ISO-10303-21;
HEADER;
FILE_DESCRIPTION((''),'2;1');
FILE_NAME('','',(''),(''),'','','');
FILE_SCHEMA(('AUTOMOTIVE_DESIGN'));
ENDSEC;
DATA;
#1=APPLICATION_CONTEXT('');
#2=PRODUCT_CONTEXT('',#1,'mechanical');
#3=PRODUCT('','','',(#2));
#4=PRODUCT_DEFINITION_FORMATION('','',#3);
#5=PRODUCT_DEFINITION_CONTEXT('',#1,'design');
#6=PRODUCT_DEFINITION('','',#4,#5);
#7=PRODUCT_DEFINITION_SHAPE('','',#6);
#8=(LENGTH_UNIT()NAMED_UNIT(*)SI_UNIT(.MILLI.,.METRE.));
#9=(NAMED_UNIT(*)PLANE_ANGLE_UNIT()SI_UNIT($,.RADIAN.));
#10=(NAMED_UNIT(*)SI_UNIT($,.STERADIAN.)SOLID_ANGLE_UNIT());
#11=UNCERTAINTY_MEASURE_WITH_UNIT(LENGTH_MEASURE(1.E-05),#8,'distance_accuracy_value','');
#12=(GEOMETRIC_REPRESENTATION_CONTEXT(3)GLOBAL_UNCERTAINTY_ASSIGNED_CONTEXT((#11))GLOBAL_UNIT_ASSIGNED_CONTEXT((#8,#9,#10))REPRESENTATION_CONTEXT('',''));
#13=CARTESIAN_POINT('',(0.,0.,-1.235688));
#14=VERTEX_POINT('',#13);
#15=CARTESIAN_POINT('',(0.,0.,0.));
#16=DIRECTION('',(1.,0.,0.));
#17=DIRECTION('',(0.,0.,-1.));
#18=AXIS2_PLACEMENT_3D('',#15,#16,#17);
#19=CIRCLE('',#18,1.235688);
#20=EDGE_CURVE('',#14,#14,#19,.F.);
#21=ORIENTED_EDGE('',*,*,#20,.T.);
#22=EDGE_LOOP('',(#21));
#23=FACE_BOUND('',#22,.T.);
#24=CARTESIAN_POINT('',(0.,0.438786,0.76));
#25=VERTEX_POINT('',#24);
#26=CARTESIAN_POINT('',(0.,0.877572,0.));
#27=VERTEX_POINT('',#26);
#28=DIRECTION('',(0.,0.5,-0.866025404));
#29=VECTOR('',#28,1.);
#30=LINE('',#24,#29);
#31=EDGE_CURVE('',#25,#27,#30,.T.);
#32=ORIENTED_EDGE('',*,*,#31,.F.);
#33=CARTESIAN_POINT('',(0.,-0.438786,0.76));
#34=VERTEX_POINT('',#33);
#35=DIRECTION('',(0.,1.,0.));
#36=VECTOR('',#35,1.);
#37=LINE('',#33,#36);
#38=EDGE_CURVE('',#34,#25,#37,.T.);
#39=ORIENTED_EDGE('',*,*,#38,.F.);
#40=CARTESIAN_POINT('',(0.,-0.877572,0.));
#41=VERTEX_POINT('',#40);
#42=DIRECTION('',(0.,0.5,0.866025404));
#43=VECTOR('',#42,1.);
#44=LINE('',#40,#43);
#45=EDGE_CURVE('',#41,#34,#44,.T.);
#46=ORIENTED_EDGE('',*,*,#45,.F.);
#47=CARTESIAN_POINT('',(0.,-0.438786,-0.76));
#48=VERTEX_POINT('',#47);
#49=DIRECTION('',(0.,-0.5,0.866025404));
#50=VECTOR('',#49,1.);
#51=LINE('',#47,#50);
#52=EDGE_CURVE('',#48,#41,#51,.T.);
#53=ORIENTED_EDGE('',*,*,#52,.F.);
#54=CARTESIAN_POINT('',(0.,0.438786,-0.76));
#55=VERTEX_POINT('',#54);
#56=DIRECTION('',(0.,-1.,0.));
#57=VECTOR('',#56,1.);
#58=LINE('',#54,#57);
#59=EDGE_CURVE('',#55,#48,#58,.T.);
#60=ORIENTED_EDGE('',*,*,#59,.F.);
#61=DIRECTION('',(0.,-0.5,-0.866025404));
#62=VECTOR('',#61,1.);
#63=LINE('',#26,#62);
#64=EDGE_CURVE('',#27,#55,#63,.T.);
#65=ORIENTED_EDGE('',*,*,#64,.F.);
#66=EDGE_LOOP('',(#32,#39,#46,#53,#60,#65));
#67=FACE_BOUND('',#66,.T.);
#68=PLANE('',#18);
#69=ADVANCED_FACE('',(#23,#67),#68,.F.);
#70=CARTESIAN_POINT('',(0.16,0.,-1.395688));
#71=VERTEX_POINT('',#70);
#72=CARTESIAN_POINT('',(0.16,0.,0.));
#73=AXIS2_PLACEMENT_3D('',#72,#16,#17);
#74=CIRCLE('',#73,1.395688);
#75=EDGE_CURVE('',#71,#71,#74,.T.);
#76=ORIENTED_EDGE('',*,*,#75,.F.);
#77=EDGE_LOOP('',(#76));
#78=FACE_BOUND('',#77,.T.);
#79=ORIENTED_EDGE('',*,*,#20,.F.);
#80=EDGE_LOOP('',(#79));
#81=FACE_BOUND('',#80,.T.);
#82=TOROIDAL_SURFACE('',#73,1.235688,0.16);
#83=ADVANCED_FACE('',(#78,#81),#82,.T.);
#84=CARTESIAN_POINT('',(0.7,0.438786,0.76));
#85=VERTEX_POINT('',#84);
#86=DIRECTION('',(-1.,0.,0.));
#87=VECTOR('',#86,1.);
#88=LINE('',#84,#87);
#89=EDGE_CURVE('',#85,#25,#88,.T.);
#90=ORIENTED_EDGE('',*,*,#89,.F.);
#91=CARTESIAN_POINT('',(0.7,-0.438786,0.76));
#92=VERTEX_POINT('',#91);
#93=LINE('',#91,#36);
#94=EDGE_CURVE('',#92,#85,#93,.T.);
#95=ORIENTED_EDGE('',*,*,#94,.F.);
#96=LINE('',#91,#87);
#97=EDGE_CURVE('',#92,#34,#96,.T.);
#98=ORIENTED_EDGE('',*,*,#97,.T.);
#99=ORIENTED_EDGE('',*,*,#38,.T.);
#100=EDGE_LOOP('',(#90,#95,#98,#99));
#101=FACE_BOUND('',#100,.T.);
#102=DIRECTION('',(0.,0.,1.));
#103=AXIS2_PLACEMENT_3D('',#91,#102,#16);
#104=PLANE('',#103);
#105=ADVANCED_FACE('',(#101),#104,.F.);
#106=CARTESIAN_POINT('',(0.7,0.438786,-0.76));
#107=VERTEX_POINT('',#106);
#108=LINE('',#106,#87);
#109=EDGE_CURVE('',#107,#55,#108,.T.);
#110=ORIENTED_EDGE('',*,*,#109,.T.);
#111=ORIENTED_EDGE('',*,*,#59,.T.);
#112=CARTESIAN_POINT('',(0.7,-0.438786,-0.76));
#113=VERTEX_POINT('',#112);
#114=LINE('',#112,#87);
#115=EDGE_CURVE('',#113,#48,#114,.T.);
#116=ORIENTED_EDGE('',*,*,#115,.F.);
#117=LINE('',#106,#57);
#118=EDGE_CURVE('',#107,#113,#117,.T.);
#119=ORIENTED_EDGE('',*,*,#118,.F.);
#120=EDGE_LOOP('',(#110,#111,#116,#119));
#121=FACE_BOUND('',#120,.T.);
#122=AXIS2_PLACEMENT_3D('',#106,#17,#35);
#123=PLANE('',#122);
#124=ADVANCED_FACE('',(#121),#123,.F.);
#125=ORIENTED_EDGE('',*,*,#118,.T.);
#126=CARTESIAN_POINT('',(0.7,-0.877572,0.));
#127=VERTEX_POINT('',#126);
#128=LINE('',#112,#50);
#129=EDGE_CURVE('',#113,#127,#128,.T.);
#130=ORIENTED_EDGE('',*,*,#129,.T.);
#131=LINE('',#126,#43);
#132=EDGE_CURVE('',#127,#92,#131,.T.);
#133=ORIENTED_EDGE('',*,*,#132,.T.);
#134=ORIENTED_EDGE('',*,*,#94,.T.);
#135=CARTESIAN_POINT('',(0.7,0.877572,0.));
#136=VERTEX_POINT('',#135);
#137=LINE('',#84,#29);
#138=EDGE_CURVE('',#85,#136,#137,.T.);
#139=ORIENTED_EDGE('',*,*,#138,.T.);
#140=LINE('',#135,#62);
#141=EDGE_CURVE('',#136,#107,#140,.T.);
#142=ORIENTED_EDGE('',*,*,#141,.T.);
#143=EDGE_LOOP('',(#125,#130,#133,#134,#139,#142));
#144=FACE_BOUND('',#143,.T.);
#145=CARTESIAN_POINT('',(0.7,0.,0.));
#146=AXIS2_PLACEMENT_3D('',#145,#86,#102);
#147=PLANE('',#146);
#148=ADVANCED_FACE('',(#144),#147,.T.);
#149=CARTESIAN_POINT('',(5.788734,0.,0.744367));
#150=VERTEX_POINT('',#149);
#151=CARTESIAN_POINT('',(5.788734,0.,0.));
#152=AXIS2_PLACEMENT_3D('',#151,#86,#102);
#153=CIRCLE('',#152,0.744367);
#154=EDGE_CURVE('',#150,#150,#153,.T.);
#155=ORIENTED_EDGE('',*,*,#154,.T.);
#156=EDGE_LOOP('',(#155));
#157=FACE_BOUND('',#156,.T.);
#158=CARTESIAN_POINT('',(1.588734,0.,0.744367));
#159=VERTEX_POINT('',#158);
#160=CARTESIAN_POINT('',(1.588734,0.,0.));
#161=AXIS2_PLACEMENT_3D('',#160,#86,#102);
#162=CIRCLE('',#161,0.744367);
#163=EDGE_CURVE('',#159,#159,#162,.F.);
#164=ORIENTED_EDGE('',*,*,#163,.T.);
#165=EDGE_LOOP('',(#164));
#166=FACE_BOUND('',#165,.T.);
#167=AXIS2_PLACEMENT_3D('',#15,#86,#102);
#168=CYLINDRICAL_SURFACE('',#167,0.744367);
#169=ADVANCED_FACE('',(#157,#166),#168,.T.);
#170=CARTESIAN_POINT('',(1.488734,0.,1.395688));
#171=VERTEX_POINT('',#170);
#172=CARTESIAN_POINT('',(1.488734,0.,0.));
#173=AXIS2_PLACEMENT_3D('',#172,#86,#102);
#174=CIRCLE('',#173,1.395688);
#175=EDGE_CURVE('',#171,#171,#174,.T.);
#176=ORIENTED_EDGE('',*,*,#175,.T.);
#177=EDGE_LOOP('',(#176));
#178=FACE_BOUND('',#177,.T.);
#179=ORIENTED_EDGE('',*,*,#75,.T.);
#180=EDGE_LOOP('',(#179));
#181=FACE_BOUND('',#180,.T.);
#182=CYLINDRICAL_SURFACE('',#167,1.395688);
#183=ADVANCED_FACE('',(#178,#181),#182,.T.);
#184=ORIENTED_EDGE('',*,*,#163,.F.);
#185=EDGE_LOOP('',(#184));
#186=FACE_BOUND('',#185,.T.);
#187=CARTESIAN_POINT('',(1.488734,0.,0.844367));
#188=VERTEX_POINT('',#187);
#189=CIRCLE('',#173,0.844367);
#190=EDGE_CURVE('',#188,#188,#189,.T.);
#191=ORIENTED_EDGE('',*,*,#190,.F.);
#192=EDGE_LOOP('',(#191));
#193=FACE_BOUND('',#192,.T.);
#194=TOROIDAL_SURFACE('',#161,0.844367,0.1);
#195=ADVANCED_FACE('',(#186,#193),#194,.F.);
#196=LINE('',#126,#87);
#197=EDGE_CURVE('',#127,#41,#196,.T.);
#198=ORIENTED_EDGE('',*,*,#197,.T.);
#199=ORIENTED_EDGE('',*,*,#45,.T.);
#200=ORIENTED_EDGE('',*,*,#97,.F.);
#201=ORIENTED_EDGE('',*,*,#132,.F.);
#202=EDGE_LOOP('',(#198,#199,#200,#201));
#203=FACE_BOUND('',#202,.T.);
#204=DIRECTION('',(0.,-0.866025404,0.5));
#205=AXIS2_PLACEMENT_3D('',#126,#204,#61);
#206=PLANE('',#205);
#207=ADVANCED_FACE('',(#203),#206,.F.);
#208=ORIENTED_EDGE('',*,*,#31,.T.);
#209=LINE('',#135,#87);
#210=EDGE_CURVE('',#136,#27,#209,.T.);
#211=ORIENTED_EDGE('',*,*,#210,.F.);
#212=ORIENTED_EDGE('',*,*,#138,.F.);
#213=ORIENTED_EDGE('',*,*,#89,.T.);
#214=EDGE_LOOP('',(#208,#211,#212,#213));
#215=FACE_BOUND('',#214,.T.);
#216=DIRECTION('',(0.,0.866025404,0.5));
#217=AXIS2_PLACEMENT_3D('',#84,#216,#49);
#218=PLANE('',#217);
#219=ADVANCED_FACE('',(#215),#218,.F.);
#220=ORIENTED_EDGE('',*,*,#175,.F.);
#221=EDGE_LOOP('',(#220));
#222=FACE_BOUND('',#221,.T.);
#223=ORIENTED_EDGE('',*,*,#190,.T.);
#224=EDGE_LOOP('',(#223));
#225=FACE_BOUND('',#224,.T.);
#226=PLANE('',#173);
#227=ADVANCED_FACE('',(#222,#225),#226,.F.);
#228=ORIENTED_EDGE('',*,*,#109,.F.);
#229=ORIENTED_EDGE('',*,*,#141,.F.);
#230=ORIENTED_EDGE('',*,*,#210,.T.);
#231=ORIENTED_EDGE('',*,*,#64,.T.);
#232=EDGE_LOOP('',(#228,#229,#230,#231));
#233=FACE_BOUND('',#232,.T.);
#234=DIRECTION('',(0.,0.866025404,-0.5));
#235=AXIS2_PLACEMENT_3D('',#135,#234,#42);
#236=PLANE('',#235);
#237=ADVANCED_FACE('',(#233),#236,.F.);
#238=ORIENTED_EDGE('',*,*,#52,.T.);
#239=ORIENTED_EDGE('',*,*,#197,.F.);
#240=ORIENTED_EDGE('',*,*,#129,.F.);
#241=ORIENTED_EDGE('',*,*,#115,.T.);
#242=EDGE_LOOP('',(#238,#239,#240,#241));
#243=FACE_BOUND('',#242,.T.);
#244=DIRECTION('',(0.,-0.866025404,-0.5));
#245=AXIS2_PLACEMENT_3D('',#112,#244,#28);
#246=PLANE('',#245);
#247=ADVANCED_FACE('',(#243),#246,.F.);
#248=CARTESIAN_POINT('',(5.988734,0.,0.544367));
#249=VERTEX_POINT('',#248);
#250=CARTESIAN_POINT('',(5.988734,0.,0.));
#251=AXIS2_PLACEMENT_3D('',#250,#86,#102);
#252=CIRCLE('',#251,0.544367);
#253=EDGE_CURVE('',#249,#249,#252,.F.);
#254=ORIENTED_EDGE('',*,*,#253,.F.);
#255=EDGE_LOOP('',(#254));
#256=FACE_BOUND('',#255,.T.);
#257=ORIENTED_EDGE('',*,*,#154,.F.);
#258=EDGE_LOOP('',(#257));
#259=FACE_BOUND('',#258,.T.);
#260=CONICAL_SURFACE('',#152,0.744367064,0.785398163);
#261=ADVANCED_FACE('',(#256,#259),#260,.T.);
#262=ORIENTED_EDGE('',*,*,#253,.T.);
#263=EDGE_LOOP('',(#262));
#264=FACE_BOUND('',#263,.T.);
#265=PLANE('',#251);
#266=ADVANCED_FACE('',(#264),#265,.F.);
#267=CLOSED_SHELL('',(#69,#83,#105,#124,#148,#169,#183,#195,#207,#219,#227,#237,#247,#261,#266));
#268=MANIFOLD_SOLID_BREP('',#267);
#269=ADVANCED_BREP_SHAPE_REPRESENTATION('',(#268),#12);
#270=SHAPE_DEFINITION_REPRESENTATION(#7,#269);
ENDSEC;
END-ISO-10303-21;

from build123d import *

# Parameters (mm, degrees)
FILLET1_R      = 0.1
FILLET2_R      = 0.16
CHAMFER1_SIZE  = 0.2
EXTRUDE1_DEPTH = 0.7


with BuildPart() as part:
    # Sketch1 → Revolve1 (revolve)
    with BuildSketch(Plane.XY, mode=Mode.PRIVATE) as revolve1_sk:
        Polygon((0, 1.395688245), (0, 0), (5.988734128, 0), (5.988734128, 0.744367064), (1.488734128, 0.744367064), (1.488734128, 1.395688245), align=None)
    revolve(revolve1_sk.sketch.rotate(Axis((0, 0, 0), (1, 0, 0)), 90), axis=Axis((0, 0, 0), (1, 0, 0)))

    # Fillet1
    fillet1_edges = [part.edges().sort_by_distance(p)[0] for p in [
        (1.488734128, 0, -0.744367064),
    ]]
    fillet(fillet1_edges, radius=FILLET1_R)

    # Fillet2
    fillet2_edges = [part.edges().sort_by_distance(p)[0] for p in [
        (0, 0, -1.395688245),
    ]]
    fillet(fillet2_edges, radius=FILLET2_R)

    # Chamfer1
    chamfer1_edges = [part.edges().sort_by_distance(p)[0] for p in [
        (5.988734128, 0, -0.744367064),
    ]]
    chamfer(chamfer1_edges, length=CHAMFER1_SIZE)

    # Sketch2 → Extrude1 (cut)
    with BuildSketch(Plane.ZY):
        Polygon((0, 0.877572409), (-0.76, 0.438786205), (-0.76, -0.438786205), (0, -0.877572409), (0.76, -0.438786205), (0.76, 0.438786205), align=None)
    extrude(amount=-EXTRUDE1_DEPTH, mode=Mode.SUBTRACT)


solid = part.part
